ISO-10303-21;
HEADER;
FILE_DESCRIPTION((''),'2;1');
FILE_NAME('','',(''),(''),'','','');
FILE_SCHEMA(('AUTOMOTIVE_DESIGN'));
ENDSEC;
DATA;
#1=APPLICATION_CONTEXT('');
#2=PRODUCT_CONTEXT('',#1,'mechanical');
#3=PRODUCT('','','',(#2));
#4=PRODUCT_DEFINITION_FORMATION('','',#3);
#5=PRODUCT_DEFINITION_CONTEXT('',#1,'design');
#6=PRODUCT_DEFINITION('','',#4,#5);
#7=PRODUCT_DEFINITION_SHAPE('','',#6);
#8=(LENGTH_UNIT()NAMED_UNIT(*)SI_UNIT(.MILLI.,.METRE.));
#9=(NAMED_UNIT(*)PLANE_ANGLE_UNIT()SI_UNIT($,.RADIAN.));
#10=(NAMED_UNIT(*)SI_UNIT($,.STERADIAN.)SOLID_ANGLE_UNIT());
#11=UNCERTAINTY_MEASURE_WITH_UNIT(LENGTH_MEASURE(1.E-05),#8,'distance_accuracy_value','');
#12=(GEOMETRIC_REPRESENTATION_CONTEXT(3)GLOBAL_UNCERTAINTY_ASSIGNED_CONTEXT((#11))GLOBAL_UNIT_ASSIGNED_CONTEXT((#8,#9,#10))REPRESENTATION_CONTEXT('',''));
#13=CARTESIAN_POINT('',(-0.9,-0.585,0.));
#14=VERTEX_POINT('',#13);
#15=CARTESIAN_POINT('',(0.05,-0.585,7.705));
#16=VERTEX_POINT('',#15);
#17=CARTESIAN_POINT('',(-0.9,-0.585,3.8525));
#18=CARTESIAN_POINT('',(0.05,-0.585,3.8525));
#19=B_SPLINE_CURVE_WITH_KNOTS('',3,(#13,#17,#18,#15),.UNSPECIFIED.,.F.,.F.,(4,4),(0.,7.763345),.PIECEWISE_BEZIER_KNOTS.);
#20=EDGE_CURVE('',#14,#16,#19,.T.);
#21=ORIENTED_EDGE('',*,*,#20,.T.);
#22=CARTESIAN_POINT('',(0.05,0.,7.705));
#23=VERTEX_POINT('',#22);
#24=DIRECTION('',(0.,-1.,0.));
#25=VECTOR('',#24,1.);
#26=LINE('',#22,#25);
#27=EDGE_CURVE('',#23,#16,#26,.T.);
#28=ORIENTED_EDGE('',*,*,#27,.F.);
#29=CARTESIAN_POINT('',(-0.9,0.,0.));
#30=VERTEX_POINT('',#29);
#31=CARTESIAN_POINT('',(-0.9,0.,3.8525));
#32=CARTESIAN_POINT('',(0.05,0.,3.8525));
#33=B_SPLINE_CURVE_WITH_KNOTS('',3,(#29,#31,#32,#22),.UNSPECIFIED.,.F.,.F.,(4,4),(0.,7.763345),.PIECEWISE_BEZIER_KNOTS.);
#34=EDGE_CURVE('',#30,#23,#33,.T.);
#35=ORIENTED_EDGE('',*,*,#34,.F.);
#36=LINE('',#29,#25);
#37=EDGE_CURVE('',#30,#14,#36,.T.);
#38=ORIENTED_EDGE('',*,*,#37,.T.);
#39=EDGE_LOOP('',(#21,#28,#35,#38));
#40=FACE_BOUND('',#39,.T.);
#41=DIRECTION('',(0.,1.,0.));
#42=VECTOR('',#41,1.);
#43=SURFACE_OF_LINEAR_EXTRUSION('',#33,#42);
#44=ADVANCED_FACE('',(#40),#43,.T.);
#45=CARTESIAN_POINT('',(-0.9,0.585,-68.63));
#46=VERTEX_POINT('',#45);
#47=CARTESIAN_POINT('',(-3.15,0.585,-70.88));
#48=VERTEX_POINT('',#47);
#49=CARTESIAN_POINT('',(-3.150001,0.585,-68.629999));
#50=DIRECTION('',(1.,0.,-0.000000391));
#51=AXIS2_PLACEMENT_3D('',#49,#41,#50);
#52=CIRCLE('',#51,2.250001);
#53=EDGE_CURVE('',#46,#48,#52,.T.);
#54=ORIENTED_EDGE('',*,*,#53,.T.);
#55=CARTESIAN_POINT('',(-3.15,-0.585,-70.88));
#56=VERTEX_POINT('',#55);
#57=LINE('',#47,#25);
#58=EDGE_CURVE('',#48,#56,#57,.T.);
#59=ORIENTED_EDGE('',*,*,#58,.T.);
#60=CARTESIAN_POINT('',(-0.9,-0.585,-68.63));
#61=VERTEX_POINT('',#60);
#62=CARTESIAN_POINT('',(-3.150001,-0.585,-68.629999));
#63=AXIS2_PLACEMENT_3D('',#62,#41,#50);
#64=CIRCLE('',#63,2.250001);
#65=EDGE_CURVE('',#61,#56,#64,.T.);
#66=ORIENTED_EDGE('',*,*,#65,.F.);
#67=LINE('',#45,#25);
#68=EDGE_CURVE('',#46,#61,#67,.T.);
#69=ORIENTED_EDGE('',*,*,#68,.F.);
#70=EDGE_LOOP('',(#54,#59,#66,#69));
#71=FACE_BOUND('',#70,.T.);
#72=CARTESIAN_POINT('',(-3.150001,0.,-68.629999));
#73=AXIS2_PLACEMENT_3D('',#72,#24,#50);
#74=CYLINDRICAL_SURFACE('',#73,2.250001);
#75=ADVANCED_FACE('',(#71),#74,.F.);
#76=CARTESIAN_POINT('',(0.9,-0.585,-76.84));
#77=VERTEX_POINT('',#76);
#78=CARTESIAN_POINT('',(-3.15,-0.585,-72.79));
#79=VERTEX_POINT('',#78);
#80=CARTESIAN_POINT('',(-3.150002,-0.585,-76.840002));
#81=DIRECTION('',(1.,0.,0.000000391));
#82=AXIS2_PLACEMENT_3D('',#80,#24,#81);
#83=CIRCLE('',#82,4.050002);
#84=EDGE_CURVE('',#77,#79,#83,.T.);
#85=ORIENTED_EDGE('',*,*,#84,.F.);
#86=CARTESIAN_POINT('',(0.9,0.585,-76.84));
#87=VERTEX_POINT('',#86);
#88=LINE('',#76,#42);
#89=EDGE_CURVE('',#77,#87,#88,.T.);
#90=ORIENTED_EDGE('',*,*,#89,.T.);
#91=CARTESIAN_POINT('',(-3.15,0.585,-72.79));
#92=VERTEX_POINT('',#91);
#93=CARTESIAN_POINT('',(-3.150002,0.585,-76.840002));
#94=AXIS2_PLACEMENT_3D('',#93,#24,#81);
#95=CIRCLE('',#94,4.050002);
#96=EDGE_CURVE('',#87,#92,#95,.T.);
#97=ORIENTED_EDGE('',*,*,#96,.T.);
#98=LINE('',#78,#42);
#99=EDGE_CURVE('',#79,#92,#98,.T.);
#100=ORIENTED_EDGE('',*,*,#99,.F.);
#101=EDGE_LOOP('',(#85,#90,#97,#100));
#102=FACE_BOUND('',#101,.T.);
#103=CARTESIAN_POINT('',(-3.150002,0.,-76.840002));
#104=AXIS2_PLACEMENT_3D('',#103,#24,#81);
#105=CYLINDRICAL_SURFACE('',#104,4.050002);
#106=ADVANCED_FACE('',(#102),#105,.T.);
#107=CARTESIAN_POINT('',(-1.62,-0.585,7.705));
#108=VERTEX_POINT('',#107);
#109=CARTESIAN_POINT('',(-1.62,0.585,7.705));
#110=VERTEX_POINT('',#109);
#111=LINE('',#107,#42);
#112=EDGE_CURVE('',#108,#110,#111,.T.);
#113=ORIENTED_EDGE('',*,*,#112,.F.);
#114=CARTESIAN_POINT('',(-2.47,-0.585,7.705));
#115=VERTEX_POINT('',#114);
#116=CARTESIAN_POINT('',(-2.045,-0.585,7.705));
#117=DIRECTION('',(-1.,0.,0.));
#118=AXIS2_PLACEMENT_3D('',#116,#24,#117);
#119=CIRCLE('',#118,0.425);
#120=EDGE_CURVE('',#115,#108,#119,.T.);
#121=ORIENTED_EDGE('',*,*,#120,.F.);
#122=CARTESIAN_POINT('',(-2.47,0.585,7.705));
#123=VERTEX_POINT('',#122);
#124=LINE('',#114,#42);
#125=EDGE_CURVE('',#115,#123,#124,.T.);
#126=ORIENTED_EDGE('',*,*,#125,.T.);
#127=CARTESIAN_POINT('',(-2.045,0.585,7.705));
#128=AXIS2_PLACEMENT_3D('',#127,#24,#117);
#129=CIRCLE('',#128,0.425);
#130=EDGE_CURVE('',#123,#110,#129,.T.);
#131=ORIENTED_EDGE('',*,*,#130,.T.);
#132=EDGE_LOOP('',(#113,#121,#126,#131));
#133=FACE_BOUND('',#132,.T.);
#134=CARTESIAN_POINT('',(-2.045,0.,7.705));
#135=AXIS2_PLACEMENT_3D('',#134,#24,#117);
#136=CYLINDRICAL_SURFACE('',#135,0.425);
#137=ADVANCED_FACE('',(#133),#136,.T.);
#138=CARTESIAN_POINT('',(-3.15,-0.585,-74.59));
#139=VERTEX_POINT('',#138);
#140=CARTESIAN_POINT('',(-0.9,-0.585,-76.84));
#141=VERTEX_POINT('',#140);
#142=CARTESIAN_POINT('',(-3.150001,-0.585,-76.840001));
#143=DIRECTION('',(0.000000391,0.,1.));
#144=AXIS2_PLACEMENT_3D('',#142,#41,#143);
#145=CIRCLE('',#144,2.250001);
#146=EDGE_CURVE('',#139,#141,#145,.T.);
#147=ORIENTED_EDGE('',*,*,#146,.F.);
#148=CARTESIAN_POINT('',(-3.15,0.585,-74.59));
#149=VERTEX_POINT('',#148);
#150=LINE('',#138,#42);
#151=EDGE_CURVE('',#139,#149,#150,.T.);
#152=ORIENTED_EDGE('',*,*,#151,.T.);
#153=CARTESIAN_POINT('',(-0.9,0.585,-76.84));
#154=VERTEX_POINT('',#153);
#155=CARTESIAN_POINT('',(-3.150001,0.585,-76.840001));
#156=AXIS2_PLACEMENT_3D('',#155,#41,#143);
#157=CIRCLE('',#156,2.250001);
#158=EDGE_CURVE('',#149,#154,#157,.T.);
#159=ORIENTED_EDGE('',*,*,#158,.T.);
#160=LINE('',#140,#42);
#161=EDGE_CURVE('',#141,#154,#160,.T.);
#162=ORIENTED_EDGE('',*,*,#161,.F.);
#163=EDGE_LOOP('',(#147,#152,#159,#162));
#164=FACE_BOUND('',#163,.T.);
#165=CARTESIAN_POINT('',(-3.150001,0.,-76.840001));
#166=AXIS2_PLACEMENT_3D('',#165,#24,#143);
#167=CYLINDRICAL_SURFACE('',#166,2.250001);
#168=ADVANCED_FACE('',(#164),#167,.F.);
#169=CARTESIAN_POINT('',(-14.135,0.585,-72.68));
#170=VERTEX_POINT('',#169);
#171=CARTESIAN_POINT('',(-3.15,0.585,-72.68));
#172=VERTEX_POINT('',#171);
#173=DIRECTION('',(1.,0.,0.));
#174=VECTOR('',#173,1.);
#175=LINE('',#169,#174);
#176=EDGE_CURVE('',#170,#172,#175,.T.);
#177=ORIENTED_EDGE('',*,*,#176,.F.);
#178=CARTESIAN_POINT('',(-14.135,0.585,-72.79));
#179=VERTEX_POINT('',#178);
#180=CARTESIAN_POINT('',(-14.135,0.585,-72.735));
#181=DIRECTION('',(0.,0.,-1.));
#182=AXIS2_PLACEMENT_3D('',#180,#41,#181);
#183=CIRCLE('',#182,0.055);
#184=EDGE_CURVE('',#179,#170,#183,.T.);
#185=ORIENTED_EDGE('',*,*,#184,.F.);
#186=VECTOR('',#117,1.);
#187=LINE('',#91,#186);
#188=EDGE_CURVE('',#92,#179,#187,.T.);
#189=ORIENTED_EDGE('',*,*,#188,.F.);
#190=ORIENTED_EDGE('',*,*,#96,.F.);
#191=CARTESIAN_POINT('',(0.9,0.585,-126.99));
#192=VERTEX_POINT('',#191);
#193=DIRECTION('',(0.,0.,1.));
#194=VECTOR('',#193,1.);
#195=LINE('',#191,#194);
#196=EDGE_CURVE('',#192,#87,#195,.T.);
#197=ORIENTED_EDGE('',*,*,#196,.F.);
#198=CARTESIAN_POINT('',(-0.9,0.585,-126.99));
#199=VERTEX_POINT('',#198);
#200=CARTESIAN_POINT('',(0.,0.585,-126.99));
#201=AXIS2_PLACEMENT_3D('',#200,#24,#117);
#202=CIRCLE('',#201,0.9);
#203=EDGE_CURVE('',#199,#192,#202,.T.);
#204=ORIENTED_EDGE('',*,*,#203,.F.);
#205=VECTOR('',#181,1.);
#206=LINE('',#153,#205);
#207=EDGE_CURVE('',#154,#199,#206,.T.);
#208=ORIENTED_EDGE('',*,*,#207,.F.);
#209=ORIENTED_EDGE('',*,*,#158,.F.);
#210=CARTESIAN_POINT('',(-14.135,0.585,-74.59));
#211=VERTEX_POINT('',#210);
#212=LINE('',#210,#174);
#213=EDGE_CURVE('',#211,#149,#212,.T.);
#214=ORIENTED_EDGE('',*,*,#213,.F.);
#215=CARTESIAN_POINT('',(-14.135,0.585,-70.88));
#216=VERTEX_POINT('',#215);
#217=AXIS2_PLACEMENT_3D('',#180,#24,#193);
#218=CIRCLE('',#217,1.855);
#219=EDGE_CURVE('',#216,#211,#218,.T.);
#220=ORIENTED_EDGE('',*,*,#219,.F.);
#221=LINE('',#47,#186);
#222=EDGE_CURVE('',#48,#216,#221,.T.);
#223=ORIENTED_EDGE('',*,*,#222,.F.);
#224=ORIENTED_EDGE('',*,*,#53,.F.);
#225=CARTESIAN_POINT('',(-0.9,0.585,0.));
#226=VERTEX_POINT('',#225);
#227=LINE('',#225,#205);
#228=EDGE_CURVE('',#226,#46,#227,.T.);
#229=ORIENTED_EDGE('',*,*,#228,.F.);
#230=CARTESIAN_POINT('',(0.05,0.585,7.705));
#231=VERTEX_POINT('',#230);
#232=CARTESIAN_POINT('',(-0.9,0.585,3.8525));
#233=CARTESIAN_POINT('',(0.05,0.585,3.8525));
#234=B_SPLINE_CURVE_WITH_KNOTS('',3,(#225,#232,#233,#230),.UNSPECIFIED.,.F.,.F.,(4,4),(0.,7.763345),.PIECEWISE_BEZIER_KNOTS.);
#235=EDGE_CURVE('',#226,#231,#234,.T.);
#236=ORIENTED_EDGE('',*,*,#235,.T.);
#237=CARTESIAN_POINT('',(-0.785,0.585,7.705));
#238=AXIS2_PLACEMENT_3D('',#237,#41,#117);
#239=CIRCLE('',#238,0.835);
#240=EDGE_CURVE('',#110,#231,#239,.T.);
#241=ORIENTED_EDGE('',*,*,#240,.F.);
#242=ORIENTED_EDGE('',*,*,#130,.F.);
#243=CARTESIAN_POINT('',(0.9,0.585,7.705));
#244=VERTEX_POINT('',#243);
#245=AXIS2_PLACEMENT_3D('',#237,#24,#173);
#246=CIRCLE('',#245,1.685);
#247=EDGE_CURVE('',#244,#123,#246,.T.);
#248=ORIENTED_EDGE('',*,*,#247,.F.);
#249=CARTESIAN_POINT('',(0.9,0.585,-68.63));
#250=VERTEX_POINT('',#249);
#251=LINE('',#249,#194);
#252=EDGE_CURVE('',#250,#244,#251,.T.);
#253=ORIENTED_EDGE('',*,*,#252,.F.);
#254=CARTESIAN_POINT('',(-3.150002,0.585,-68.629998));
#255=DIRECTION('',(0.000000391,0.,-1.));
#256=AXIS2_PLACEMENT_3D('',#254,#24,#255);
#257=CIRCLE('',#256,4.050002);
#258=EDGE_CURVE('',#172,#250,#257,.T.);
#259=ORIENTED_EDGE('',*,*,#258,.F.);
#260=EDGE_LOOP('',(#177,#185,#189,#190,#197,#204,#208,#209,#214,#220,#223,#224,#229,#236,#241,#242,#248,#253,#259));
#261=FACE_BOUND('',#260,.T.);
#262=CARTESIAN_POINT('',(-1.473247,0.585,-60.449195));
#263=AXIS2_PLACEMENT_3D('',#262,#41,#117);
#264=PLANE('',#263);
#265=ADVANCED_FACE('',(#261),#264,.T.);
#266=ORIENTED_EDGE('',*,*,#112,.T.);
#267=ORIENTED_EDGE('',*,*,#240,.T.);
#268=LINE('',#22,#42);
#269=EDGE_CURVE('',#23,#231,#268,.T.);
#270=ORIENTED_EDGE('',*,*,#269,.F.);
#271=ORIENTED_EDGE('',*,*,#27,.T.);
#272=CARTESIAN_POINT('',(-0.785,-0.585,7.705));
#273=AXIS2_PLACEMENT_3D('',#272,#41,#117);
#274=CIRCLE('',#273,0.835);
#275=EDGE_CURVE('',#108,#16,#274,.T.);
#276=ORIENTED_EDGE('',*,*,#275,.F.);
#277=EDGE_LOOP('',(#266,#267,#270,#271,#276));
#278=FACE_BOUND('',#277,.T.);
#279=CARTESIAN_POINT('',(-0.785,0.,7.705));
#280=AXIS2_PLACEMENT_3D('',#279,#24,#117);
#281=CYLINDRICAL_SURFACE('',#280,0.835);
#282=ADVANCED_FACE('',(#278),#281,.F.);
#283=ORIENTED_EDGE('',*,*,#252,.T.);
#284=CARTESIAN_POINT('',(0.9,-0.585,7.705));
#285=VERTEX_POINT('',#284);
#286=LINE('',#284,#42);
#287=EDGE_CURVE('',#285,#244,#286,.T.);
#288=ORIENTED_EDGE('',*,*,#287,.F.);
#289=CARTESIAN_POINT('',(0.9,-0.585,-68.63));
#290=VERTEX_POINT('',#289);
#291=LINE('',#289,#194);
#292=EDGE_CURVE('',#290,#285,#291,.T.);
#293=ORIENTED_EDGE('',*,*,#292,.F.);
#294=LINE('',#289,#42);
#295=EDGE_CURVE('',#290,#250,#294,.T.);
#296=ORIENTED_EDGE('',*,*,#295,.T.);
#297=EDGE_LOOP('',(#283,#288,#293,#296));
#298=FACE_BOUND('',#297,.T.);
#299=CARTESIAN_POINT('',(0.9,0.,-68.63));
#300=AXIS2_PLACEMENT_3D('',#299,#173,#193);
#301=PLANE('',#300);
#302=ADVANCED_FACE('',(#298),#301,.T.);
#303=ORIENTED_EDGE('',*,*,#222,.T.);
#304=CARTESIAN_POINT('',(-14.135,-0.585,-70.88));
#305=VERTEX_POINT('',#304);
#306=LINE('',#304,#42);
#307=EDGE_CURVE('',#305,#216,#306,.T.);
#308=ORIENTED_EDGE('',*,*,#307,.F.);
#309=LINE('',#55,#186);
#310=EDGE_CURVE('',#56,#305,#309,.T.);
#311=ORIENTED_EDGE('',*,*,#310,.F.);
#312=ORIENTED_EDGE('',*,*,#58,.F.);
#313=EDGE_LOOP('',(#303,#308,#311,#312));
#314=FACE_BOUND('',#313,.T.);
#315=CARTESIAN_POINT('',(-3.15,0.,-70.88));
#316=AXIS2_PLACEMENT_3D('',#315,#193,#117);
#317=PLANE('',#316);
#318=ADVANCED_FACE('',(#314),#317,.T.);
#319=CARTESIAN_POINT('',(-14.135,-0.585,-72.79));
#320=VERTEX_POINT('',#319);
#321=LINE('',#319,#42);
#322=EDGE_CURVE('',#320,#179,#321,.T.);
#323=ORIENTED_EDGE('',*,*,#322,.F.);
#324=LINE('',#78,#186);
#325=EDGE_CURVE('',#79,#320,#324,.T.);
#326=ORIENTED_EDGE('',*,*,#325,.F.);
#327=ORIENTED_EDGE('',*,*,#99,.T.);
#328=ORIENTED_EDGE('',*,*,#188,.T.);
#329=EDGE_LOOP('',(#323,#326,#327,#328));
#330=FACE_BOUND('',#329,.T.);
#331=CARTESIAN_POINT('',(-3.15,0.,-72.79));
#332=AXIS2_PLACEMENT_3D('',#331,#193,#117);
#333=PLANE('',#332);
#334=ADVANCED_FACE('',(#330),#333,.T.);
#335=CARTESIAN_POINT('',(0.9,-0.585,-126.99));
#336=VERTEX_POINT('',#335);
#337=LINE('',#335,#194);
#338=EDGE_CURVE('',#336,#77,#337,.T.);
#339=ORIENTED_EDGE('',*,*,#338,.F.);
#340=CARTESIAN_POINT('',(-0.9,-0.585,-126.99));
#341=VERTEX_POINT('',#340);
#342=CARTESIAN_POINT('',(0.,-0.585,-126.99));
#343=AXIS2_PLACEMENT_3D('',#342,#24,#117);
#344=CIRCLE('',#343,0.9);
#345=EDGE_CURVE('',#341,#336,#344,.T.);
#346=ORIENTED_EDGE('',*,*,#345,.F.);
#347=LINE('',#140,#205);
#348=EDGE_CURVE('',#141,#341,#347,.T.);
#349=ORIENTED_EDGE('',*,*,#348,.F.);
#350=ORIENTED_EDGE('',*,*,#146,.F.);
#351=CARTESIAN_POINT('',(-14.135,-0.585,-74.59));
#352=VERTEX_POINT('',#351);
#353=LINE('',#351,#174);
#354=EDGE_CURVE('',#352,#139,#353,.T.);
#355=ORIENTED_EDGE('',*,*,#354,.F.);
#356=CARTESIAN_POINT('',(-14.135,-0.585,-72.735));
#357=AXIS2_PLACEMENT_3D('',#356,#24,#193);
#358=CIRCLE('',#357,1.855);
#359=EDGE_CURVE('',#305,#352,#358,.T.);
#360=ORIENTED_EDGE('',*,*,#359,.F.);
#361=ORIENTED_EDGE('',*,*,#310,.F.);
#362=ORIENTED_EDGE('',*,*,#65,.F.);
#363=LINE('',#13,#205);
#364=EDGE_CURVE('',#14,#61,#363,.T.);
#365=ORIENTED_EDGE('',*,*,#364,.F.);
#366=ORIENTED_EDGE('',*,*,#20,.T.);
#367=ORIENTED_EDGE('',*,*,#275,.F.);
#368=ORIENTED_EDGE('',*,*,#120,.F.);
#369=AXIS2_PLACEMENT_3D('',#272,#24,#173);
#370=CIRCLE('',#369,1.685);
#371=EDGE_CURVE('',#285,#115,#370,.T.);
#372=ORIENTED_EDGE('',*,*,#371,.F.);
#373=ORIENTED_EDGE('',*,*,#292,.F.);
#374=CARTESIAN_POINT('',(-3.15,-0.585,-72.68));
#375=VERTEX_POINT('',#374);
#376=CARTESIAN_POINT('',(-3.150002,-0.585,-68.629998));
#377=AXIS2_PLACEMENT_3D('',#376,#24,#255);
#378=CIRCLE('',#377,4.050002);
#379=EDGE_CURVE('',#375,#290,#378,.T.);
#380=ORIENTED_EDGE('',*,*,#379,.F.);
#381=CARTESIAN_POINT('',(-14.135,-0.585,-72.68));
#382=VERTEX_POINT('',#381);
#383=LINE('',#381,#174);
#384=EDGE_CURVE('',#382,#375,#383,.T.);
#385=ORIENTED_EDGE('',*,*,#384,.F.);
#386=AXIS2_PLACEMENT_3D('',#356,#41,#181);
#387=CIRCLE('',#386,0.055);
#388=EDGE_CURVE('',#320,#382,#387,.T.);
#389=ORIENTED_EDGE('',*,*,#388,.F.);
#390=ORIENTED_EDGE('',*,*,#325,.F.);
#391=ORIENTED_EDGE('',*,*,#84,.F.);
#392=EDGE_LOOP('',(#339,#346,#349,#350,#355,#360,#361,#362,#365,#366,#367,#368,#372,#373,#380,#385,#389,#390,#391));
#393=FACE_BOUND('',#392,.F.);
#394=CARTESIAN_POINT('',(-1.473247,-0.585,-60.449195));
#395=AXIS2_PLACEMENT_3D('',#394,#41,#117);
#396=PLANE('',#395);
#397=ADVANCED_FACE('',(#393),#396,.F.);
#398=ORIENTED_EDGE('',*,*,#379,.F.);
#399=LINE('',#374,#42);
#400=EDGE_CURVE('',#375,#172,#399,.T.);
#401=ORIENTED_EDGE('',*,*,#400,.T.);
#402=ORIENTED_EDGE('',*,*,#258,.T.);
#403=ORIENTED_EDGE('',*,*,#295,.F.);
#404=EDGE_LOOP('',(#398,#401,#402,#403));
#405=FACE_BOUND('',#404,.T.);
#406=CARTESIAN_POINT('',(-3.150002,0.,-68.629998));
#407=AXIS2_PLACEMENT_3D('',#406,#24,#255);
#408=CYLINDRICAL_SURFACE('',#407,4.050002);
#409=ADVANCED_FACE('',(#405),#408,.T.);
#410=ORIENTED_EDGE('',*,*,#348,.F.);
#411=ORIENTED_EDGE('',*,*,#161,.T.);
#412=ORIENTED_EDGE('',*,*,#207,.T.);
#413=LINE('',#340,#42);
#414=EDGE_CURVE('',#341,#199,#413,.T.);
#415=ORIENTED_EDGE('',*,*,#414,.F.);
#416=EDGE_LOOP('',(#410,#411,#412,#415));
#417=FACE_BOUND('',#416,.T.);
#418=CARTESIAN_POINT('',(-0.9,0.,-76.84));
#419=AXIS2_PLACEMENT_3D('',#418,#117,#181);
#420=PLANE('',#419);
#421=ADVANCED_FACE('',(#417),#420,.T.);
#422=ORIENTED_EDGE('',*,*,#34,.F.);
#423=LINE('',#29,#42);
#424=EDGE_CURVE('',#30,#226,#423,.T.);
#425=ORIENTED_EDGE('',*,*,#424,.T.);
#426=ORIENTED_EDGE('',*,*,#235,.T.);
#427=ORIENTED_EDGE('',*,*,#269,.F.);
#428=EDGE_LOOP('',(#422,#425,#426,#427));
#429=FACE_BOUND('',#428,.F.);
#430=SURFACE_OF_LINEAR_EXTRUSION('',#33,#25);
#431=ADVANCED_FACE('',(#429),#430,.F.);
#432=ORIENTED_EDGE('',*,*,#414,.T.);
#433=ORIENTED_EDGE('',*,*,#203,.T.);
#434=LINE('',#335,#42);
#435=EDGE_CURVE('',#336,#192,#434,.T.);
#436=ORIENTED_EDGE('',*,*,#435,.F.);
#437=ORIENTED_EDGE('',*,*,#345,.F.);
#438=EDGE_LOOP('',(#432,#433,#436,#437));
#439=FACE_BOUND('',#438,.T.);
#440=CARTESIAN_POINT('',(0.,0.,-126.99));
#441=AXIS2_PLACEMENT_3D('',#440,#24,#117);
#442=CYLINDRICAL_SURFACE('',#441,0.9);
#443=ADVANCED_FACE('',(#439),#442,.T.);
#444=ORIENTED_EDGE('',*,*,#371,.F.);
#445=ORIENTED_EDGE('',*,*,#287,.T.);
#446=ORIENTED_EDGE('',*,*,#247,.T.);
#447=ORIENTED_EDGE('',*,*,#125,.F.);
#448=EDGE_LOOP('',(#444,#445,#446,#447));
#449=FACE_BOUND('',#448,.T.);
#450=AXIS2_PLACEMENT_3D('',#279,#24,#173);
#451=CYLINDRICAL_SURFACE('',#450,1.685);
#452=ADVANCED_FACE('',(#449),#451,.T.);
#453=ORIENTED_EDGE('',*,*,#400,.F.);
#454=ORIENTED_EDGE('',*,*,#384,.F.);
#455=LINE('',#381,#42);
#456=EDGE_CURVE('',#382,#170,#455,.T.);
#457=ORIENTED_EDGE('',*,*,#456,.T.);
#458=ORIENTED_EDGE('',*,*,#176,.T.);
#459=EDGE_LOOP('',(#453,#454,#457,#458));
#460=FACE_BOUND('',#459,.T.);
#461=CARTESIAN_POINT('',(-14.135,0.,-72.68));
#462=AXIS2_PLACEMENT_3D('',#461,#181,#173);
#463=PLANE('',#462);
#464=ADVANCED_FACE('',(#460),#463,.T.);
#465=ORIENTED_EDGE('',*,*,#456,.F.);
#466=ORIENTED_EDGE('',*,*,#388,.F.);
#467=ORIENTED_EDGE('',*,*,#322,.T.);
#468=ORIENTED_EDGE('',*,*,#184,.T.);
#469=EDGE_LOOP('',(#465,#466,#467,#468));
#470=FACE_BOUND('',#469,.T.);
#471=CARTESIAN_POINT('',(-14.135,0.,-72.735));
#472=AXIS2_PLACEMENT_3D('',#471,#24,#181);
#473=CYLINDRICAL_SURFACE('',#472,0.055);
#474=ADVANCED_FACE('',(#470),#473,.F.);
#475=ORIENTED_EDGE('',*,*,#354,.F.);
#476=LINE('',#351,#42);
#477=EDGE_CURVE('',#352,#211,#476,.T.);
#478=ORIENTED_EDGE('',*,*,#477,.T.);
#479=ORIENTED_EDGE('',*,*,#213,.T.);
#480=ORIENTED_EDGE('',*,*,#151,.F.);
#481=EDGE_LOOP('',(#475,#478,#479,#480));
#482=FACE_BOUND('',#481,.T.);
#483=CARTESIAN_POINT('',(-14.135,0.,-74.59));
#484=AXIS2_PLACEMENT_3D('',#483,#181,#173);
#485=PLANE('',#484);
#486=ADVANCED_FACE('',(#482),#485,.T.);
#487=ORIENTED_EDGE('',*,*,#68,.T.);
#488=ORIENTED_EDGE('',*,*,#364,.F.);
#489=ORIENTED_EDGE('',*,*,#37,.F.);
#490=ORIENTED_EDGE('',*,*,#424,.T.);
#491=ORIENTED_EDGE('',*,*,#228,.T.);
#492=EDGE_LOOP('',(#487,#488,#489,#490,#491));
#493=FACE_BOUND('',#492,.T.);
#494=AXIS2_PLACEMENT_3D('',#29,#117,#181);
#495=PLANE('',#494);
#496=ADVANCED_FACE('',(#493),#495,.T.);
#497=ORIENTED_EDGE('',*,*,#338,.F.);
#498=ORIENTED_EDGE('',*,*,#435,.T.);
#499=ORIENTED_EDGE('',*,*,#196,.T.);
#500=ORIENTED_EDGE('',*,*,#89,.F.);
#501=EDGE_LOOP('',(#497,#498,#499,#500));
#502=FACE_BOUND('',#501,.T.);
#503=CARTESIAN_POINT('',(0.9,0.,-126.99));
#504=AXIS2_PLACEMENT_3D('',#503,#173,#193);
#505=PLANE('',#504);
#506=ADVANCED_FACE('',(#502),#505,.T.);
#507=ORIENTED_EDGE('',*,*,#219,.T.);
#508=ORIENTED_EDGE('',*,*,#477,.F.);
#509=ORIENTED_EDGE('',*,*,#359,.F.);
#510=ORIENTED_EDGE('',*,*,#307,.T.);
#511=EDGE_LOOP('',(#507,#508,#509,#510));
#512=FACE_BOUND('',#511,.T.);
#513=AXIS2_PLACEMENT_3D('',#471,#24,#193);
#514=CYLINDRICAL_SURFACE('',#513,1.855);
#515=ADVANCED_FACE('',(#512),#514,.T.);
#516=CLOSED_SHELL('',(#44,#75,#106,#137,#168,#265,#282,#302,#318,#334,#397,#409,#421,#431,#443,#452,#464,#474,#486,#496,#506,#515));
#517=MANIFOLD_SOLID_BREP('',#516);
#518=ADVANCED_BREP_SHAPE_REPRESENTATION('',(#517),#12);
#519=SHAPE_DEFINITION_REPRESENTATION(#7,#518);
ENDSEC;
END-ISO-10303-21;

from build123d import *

# Parameters (mm, degrees)
F1_DEPTH = 0.585


with BuildPart() as f1:
    # F0 (on Front) → F1 (new body, symmetric)
    with BuildSketch(Plane.XZ):
        with BuildLine():
            add(Edge.make_bspline(
                [(-0.9, 0), (-0.9, 3.8525), (0.05, 3.8525), (0.05, 7.705)],
                knots=[0, 0, 0, 0, 7.763345, 7.763345, 7.763345, 7.763345], degree=3))
            Line((-0.9, 0), (-0.9, -13.695881))
            Line((-0.9, -13.695881), (-0.9, -68.63))
            ThreePointArc((-0.9, -68.63), (-1.55901, -70.22099), (-3.15, -70.88))
            Line((-3.15, -70.88), (-14.135, -70.88))
            ThreePointArc((-14.135, -70.88), (-15.99, -72.735), (-14.135, -74.59))
            Line((-14.135, -74.59), (-3.15, -74.59))
            ThreePointArc((-3.15, -74.59), (-1.55901, -75.24901), (-0.9, -76.84))
            Line((-0.9, -76.84), (-0.9, -126.99))
            ThreePointArc((-0.9, -126.99), (0, -127.89), (0.9, -126.99))
            Line((0.9, -126.99), (0.9, -76.84))
            ThreePointArc((0.9, -76.84), (-0.286218, -73.976218), (-3.15, -72.79))
            Line((-3.15, -72.79), (-14.135, -72.79))
            ThreePointArc((-14.135, -72.79), (-14.19, -72.735), (-14.135, -72.68))
            Line((-14.135, -72.68), (-3.15, -72.68))
            ThreePointArc((-3.15, -72.68), (-0.286218, -71.493782), (0.9, -68.63))
            Line((0.9, -68.63), (0.9, -13.775932))
            Line((0.9, -13.775932), (0.9, 0))
            Line((0.9, 0), (0.9, 7.705))
            ThreePointArc((0.9, 7.705), (-0.785, 9.39), (-2.47, 7.705))
            ThreePointArc((-2.47, 7.705), (-2.045, 7.28), (-1.62, 7.705))
            ThreePointArc((-1.62, 7.705), (-0.785, 8.54), (0.05, 7.705))
        make_face()
    extrude(amount=F1_DEPTH, both=True)


solid = f1.part
